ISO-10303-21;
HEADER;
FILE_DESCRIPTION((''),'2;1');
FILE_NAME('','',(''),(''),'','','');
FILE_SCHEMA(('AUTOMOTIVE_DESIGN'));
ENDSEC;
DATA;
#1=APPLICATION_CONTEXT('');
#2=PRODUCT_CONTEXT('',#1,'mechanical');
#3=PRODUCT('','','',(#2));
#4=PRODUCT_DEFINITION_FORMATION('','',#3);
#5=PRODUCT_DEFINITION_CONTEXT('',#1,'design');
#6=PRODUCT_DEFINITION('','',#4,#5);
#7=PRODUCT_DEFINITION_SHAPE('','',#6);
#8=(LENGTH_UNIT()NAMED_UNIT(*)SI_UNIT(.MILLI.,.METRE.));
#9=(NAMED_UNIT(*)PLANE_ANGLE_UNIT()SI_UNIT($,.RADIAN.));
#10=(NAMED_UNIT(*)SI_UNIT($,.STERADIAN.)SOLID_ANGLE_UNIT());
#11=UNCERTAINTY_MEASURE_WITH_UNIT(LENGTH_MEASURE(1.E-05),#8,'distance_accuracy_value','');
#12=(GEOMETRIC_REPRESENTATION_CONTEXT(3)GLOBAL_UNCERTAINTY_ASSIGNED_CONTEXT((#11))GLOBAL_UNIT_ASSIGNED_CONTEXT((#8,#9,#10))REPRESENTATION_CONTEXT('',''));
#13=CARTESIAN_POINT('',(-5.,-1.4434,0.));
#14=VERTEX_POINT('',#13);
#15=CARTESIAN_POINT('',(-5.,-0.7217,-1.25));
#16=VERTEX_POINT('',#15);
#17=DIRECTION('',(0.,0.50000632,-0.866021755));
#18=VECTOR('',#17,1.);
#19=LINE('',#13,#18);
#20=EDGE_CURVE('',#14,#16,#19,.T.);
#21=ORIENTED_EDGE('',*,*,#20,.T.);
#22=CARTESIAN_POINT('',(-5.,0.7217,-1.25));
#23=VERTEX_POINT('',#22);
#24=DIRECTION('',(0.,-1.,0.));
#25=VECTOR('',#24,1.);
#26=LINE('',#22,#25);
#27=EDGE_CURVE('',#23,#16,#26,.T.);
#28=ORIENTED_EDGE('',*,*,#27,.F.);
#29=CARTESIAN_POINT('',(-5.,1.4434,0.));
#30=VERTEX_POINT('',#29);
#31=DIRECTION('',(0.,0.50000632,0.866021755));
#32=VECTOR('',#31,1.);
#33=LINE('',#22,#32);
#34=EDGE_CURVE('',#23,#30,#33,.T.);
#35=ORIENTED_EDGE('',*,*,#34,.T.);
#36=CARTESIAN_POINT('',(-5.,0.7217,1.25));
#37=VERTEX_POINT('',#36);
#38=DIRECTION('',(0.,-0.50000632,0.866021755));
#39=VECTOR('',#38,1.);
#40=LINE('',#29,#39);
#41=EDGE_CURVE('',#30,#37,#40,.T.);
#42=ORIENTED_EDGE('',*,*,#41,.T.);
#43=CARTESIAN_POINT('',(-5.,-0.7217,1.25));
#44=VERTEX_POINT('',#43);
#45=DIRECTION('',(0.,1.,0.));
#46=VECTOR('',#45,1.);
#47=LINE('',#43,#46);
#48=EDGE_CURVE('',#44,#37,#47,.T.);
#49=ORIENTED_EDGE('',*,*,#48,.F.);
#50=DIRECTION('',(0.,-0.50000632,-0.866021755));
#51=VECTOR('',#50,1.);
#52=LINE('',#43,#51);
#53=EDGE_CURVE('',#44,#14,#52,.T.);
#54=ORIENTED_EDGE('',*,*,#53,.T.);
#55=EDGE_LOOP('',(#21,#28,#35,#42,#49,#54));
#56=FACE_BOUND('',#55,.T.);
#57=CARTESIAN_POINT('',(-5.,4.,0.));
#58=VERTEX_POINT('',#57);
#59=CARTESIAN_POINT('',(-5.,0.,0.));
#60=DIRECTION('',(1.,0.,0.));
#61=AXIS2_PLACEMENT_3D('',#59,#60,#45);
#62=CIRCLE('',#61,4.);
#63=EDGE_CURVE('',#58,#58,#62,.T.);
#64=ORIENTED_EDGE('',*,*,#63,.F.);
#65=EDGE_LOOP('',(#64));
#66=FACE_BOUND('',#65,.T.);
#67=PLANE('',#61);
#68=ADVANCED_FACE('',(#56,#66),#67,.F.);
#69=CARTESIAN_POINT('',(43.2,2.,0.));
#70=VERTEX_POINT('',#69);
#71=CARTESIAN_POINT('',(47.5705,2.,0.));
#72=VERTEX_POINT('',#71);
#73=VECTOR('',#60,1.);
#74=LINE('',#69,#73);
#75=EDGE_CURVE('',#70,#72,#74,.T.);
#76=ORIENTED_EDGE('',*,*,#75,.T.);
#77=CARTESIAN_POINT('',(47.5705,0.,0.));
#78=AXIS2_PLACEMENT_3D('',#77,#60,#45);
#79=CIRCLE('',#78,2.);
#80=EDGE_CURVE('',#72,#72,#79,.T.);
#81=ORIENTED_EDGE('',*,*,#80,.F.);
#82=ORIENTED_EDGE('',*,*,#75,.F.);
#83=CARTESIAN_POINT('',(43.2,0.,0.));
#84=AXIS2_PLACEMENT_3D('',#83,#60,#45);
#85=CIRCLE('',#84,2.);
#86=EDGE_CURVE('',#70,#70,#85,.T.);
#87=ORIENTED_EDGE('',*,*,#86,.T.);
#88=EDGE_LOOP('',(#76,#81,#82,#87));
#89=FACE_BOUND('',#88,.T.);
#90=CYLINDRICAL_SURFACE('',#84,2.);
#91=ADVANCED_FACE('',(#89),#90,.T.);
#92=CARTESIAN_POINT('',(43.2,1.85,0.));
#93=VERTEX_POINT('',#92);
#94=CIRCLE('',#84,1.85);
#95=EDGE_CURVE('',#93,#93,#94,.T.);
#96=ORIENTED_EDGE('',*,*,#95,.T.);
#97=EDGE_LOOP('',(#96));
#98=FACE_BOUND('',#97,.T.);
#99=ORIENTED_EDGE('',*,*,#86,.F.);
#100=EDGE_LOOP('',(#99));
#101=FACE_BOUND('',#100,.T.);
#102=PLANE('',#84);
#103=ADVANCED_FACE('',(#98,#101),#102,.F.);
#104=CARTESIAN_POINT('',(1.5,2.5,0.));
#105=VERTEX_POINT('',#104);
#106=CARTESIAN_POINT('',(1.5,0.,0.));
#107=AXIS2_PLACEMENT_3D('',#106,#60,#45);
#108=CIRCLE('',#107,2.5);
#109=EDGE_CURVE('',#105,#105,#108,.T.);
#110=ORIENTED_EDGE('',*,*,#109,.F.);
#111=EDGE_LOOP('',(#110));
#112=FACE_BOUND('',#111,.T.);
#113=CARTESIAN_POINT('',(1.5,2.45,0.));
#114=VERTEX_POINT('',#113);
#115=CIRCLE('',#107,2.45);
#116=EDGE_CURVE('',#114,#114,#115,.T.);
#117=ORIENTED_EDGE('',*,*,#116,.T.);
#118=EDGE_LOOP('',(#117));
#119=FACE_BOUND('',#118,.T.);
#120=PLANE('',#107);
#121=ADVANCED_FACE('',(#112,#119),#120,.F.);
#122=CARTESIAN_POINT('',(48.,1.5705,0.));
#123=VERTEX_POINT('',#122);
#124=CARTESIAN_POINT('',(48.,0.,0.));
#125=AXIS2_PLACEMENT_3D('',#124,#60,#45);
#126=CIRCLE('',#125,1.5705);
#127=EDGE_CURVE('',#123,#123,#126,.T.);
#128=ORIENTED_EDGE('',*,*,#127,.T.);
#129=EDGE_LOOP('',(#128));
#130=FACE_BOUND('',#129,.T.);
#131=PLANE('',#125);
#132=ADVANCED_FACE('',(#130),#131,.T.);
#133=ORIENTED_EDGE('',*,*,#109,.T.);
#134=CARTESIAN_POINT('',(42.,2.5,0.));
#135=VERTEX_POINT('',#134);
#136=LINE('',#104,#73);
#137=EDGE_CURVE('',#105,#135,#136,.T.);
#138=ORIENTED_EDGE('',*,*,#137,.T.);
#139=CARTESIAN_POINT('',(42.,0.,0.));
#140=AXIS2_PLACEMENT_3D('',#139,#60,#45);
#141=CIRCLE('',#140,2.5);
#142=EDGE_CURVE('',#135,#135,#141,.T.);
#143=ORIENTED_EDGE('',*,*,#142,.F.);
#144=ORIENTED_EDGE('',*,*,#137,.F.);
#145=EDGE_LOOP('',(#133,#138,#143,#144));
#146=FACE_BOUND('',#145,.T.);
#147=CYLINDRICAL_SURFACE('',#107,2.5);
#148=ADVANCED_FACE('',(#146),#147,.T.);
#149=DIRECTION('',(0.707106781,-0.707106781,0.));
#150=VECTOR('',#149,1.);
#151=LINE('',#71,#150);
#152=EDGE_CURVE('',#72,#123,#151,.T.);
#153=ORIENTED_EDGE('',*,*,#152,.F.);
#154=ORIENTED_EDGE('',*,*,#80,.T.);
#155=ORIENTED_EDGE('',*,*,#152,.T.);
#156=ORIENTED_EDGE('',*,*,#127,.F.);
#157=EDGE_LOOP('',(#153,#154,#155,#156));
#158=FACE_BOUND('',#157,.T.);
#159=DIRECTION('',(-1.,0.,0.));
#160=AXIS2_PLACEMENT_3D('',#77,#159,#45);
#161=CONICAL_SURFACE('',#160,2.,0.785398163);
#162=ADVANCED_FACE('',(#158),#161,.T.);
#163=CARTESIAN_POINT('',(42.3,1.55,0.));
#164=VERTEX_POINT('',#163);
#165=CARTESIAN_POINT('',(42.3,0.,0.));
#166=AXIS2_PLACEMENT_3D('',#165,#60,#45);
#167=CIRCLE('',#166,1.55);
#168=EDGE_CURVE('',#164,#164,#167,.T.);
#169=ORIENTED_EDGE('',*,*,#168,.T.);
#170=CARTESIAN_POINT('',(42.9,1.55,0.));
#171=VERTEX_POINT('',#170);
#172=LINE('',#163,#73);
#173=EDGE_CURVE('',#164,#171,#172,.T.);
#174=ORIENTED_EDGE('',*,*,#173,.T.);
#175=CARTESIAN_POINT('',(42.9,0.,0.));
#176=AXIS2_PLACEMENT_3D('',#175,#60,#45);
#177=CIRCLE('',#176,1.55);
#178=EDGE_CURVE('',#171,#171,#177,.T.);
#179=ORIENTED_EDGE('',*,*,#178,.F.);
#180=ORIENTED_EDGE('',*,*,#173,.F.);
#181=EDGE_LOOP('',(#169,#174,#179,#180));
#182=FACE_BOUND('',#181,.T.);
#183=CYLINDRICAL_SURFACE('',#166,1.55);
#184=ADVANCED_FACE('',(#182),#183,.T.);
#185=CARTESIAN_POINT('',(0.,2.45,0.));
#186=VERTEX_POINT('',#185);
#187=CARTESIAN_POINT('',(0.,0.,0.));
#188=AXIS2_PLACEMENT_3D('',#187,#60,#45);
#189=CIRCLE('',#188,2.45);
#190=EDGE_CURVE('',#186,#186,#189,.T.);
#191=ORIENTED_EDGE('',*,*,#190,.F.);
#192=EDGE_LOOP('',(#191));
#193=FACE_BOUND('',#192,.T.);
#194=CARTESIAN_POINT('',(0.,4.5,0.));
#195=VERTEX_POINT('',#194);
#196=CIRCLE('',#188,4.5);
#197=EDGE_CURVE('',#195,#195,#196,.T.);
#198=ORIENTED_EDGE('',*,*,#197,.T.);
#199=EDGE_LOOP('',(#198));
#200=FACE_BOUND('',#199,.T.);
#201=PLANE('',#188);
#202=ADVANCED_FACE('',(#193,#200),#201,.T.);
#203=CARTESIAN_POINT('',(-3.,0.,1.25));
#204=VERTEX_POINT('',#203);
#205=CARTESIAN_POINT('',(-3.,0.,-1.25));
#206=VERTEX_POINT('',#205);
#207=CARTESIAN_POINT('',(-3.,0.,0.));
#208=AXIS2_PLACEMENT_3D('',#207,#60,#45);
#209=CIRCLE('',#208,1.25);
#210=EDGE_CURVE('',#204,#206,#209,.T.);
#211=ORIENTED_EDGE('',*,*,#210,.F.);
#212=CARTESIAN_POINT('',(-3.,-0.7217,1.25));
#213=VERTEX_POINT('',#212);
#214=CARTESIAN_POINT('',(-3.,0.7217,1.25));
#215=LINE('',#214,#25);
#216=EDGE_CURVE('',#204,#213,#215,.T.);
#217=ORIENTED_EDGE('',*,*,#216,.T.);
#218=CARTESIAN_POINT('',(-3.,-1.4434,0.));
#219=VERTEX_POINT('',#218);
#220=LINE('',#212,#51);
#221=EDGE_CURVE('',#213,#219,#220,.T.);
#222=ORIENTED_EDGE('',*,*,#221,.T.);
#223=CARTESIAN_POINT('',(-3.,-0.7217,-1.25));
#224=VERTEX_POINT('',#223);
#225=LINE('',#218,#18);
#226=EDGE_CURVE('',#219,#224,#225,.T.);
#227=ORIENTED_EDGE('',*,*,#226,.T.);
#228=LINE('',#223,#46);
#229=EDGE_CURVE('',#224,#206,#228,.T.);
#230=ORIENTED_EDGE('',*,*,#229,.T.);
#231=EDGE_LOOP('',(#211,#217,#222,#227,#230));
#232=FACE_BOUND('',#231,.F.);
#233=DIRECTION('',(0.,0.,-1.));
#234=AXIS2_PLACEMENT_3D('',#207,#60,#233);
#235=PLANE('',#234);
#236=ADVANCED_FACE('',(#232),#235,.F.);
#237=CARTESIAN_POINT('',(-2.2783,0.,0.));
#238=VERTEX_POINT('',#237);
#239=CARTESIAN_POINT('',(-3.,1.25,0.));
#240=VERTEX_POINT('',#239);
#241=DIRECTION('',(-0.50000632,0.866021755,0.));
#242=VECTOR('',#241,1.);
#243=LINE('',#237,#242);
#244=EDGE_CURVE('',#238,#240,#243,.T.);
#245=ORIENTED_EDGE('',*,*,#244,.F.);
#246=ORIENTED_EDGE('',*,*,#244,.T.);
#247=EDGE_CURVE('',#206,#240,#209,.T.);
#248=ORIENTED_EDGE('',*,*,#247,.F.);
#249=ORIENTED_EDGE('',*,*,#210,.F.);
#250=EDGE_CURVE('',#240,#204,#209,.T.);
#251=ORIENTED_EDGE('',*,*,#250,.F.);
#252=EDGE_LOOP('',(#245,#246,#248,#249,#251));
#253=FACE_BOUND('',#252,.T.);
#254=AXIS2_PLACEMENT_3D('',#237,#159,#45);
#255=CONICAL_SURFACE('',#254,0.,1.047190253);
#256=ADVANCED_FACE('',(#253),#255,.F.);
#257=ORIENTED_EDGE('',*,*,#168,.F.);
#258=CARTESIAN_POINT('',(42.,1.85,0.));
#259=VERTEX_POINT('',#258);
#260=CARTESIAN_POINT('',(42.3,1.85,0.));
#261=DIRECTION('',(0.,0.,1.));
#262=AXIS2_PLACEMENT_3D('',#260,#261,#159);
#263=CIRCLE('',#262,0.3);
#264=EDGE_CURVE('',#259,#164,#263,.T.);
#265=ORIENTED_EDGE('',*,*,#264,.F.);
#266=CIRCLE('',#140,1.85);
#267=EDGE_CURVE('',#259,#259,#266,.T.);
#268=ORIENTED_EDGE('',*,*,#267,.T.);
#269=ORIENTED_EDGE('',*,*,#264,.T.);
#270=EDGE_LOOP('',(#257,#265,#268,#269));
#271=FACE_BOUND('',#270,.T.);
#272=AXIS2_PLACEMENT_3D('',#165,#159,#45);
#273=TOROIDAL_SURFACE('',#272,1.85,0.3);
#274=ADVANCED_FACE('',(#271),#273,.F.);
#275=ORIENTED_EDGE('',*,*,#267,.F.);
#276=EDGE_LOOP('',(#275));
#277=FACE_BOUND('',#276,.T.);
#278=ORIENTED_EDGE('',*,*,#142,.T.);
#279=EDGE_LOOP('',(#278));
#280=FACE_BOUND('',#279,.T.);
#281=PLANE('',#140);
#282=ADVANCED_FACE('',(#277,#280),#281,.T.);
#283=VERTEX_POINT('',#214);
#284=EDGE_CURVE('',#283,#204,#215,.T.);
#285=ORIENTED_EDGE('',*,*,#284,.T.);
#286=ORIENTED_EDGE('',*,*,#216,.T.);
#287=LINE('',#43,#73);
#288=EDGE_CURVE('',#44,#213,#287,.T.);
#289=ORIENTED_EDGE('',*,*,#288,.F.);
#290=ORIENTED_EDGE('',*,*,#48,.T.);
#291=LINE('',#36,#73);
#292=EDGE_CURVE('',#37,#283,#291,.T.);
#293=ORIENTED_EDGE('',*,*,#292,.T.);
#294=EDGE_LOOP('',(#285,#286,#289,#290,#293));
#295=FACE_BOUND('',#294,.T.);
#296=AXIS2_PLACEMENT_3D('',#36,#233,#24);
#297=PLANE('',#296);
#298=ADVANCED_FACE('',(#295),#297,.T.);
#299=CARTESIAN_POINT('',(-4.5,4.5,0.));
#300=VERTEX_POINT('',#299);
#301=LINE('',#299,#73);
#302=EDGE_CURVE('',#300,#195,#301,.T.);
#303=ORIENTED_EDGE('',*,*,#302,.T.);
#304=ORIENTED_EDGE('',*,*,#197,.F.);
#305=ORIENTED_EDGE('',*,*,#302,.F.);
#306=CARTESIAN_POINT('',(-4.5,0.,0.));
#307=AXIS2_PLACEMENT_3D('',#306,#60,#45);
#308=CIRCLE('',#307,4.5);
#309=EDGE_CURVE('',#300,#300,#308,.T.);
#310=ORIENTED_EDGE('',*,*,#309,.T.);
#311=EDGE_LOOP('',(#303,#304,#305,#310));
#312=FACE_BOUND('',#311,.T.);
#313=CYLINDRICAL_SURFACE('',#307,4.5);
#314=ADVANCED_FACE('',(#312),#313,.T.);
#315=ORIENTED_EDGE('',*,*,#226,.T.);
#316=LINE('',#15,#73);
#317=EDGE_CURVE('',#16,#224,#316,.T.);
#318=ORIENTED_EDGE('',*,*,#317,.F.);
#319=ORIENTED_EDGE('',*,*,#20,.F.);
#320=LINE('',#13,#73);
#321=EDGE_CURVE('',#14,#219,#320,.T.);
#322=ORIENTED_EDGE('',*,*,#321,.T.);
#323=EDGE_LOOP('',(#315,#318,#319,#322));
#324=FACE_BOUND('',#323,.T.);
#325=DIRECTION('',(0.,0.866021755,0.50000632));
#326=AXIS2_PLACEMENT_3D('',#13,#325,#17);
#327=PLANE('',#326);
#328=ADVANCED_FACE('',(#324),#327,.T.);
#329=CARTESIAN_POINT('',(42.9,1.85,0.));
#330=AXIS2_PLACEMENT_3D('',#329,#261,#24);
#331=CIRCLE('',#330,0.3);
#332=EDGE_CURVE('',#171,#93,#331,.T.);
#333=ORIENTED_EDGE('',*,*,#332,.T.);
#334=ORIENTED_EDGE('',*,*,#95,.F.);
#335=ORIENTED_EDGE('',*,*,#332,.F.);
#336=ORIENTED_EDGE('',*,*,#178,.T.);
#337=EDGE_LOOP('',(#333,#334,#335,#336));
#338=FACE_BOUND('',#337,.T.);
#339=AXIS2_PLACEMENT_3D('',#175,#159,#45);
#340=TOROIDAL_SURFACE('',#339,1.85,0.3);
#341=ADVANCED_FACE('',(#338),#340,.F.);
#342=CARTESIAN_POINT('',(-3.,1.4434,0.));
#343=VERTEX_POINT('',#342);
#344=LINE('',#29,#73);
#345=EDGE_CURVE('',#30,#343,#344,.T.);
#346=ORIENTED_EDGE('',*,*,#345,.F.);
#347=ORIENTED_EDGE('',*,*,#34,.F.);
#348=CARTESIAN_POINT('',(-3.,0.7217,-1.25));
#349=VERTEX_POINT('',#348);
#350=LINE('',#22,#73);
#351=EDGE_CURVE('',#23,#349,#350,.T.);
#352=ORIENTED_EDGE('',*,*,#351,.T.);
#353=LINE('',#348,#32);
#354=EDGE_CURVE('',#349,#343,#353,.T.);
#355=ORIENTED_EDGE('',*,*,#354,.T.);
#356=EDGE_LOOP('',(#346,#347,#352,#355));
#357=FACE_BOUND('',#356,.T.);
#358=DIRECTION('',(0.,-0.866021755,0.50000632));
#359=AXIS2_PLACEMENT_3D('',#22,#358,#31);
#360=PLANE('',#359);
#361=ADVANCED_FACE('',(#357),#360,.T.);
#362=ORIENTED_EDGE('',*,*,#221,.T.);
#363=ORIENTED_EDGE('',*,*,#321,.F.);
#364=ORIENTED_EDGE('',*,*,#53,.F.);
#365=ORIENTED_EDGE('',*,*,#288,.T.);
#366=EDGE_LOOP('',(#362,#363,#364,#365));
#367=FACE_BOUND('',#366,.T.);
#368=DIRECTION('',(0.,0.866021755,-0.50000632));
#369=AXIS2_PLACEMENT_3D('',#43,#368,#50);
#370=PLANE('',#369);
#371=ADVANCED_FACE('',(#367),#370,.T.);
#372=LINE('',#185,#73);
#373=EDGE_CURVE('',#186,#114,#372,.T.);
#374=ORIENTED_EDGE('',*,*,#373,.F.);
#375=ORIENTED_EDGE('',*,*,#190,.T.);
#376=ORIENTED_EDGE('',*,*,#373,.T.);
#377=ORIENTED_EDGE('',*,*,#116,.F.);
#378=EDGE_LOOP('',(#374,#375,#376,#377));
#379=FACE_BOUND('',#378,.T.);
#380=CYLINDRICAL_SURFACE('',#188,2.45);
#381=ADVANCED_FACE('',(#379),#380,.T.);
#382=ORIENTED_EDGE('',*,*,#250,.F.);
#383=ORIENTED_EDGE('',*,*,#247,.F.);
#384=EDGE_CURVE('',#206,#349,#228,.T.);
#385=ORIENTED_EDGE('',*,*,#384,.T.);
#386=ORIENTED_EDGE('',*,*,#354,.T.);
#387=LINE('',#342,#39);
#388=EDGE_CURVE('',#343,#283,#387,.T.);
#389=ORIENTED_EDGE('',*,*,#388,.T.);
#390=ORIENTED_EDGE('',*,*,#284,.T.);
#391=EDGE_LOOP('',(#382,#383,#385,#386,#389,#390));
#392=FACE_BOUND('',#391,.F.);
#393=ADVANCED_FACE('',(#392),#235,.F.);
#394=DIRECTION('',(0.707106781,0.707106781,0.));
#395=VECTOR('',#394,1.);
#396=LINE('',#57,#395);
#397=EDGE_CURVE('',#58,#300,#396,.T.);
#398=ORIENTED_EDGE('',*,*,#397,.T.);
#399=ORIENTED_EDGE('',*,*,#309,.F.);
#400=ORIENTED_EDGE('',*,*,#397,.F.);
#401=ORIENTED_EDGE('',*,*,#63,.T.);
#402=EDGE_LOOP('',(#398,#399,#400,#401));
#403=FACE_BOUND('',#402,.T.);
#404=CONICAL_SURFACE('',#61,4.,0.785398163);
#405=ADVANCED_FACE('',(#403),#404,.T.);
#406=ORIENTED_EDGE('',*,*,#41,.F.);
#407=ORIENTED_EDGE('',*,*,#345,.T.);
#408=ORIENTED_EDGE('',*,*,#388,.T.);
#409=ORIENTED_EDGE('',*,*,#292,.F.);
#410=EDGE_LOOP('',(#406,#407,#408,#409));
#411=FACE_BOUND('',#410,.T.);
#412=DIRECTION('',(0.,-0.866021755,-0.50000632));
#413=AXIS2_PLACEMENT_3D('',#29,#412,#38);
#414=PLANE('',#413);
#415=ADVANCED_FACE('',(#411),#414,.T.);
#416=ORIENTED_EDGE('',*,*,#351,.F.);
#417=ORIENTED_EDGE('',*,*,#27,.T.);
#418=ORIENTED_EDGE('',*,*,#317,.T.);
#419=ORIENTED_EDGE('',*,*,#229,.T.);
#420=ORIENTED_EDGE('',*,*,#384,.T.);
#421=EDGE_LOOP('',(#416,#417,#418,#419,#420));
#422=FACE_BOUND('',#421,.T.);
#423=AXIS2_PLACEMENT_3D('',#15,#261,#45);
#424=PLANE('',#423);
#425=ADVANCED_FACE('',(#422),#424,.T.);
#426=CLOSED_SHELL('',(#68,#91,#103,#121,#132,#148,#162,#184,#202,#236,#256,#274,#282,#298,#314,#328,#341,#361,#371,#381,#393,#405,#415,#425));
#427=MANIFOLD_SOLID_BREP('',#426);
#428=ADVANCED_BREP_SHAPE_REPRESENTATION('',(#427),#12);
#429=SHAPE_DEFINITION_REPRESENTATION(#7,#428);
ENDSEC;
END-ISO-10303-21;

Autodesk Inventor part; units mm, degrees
sketch "Sketch_1" plane through (0, 0, 0) normal (0, 0, 1) x (1, 0, 0)
  line L0 (48, 0) -> (-5, 0)
  line L1 (-2.2783, 0) -> (-3, 1.25)
  line L2 (-3, 1.25) -> (-5, 1.25)
  line L3 (-5, 1.25) -> (-5, 4)
  line L4 (-5, 4) -> (-4.5, 4.5)
  line L5 (-4.5, 4.5) -> (0, 4.5)
  line L6 (0, 4.5) -> (0, 2.45)
  line L7 (0, 2.45) -> (1.5, 2.45)
  line L8 (1.5, 2.45) -> (1.5, 2.5)
  line L9 (1.5, 2.5) -> (42, 2.5)
  line L10 (42, 2.5) -> (42, 1.85)
  arc A0 (42, 1.85) -> (42.3, 1.55) centre (42.3, 1.85) ccw
  line L11 (42.3, 1.55) -> (42.9, 1.55)
  arc A1 (42.9, 1.55) -> (43.2, 1.85) centre (42.9, 1.85) ccw
  line L12 (43.2, 1.85) -> (43.2, 2)
  line L13 (43.2, 2) -> (47.5705, 2)
  line L14 (47.5705, 2) -> (48, 1.5705)
  line L15 (48, 1.5705) -> (48, 0)
  line L16 (48, 0) -> (-2.2783, 0)
revolve "Revolution1" add sketch "Sketch_1" angle 360 about axis through (48, 0, 0) along (1, 0, 0)
thread "Thread1" size "M4x0.7" class "6g" standard "ISO Metric profile" full length
sketch "Sketch_2" plane through (-5, 0, 0) normal (1, 0, 0) x (0, 0, -1)
  line L0 (-1.25, -0.7217) -> (0, -1.4434)
  line L1 (0, -1.4434) -> (1.25, -0.7217)
  line L2 (1.25, -0.7217) -> (1.25, 0.7217)
  line L3 (1.25, 0.7217) -> (0, 1.4434)
  line L4 (0, 1.4434) -> (-1.25, 0.7217)
  line L5 (-1.25, 0.7217) -> (-1.25, -0.7217)
extrude "Extrusion1" cut sketch "Sketch_2" along normal blind 2
ref_plane "pin_to_nut_XY" through (43.7, 0, 0) normal (1, 0, 0) x (0, 0, -1)
ref_plane "pin_to_nut_YZ" through (43.7, 0, 0) normal (0, 0, -1) x (0, 1, 0)
ref_plane "pin_to_nut_ZX" through (43.7, 0, 0) normal (0, 1, 0) x (1, 0, 0)
properties part number "SCLBRU5-42.0_D"
